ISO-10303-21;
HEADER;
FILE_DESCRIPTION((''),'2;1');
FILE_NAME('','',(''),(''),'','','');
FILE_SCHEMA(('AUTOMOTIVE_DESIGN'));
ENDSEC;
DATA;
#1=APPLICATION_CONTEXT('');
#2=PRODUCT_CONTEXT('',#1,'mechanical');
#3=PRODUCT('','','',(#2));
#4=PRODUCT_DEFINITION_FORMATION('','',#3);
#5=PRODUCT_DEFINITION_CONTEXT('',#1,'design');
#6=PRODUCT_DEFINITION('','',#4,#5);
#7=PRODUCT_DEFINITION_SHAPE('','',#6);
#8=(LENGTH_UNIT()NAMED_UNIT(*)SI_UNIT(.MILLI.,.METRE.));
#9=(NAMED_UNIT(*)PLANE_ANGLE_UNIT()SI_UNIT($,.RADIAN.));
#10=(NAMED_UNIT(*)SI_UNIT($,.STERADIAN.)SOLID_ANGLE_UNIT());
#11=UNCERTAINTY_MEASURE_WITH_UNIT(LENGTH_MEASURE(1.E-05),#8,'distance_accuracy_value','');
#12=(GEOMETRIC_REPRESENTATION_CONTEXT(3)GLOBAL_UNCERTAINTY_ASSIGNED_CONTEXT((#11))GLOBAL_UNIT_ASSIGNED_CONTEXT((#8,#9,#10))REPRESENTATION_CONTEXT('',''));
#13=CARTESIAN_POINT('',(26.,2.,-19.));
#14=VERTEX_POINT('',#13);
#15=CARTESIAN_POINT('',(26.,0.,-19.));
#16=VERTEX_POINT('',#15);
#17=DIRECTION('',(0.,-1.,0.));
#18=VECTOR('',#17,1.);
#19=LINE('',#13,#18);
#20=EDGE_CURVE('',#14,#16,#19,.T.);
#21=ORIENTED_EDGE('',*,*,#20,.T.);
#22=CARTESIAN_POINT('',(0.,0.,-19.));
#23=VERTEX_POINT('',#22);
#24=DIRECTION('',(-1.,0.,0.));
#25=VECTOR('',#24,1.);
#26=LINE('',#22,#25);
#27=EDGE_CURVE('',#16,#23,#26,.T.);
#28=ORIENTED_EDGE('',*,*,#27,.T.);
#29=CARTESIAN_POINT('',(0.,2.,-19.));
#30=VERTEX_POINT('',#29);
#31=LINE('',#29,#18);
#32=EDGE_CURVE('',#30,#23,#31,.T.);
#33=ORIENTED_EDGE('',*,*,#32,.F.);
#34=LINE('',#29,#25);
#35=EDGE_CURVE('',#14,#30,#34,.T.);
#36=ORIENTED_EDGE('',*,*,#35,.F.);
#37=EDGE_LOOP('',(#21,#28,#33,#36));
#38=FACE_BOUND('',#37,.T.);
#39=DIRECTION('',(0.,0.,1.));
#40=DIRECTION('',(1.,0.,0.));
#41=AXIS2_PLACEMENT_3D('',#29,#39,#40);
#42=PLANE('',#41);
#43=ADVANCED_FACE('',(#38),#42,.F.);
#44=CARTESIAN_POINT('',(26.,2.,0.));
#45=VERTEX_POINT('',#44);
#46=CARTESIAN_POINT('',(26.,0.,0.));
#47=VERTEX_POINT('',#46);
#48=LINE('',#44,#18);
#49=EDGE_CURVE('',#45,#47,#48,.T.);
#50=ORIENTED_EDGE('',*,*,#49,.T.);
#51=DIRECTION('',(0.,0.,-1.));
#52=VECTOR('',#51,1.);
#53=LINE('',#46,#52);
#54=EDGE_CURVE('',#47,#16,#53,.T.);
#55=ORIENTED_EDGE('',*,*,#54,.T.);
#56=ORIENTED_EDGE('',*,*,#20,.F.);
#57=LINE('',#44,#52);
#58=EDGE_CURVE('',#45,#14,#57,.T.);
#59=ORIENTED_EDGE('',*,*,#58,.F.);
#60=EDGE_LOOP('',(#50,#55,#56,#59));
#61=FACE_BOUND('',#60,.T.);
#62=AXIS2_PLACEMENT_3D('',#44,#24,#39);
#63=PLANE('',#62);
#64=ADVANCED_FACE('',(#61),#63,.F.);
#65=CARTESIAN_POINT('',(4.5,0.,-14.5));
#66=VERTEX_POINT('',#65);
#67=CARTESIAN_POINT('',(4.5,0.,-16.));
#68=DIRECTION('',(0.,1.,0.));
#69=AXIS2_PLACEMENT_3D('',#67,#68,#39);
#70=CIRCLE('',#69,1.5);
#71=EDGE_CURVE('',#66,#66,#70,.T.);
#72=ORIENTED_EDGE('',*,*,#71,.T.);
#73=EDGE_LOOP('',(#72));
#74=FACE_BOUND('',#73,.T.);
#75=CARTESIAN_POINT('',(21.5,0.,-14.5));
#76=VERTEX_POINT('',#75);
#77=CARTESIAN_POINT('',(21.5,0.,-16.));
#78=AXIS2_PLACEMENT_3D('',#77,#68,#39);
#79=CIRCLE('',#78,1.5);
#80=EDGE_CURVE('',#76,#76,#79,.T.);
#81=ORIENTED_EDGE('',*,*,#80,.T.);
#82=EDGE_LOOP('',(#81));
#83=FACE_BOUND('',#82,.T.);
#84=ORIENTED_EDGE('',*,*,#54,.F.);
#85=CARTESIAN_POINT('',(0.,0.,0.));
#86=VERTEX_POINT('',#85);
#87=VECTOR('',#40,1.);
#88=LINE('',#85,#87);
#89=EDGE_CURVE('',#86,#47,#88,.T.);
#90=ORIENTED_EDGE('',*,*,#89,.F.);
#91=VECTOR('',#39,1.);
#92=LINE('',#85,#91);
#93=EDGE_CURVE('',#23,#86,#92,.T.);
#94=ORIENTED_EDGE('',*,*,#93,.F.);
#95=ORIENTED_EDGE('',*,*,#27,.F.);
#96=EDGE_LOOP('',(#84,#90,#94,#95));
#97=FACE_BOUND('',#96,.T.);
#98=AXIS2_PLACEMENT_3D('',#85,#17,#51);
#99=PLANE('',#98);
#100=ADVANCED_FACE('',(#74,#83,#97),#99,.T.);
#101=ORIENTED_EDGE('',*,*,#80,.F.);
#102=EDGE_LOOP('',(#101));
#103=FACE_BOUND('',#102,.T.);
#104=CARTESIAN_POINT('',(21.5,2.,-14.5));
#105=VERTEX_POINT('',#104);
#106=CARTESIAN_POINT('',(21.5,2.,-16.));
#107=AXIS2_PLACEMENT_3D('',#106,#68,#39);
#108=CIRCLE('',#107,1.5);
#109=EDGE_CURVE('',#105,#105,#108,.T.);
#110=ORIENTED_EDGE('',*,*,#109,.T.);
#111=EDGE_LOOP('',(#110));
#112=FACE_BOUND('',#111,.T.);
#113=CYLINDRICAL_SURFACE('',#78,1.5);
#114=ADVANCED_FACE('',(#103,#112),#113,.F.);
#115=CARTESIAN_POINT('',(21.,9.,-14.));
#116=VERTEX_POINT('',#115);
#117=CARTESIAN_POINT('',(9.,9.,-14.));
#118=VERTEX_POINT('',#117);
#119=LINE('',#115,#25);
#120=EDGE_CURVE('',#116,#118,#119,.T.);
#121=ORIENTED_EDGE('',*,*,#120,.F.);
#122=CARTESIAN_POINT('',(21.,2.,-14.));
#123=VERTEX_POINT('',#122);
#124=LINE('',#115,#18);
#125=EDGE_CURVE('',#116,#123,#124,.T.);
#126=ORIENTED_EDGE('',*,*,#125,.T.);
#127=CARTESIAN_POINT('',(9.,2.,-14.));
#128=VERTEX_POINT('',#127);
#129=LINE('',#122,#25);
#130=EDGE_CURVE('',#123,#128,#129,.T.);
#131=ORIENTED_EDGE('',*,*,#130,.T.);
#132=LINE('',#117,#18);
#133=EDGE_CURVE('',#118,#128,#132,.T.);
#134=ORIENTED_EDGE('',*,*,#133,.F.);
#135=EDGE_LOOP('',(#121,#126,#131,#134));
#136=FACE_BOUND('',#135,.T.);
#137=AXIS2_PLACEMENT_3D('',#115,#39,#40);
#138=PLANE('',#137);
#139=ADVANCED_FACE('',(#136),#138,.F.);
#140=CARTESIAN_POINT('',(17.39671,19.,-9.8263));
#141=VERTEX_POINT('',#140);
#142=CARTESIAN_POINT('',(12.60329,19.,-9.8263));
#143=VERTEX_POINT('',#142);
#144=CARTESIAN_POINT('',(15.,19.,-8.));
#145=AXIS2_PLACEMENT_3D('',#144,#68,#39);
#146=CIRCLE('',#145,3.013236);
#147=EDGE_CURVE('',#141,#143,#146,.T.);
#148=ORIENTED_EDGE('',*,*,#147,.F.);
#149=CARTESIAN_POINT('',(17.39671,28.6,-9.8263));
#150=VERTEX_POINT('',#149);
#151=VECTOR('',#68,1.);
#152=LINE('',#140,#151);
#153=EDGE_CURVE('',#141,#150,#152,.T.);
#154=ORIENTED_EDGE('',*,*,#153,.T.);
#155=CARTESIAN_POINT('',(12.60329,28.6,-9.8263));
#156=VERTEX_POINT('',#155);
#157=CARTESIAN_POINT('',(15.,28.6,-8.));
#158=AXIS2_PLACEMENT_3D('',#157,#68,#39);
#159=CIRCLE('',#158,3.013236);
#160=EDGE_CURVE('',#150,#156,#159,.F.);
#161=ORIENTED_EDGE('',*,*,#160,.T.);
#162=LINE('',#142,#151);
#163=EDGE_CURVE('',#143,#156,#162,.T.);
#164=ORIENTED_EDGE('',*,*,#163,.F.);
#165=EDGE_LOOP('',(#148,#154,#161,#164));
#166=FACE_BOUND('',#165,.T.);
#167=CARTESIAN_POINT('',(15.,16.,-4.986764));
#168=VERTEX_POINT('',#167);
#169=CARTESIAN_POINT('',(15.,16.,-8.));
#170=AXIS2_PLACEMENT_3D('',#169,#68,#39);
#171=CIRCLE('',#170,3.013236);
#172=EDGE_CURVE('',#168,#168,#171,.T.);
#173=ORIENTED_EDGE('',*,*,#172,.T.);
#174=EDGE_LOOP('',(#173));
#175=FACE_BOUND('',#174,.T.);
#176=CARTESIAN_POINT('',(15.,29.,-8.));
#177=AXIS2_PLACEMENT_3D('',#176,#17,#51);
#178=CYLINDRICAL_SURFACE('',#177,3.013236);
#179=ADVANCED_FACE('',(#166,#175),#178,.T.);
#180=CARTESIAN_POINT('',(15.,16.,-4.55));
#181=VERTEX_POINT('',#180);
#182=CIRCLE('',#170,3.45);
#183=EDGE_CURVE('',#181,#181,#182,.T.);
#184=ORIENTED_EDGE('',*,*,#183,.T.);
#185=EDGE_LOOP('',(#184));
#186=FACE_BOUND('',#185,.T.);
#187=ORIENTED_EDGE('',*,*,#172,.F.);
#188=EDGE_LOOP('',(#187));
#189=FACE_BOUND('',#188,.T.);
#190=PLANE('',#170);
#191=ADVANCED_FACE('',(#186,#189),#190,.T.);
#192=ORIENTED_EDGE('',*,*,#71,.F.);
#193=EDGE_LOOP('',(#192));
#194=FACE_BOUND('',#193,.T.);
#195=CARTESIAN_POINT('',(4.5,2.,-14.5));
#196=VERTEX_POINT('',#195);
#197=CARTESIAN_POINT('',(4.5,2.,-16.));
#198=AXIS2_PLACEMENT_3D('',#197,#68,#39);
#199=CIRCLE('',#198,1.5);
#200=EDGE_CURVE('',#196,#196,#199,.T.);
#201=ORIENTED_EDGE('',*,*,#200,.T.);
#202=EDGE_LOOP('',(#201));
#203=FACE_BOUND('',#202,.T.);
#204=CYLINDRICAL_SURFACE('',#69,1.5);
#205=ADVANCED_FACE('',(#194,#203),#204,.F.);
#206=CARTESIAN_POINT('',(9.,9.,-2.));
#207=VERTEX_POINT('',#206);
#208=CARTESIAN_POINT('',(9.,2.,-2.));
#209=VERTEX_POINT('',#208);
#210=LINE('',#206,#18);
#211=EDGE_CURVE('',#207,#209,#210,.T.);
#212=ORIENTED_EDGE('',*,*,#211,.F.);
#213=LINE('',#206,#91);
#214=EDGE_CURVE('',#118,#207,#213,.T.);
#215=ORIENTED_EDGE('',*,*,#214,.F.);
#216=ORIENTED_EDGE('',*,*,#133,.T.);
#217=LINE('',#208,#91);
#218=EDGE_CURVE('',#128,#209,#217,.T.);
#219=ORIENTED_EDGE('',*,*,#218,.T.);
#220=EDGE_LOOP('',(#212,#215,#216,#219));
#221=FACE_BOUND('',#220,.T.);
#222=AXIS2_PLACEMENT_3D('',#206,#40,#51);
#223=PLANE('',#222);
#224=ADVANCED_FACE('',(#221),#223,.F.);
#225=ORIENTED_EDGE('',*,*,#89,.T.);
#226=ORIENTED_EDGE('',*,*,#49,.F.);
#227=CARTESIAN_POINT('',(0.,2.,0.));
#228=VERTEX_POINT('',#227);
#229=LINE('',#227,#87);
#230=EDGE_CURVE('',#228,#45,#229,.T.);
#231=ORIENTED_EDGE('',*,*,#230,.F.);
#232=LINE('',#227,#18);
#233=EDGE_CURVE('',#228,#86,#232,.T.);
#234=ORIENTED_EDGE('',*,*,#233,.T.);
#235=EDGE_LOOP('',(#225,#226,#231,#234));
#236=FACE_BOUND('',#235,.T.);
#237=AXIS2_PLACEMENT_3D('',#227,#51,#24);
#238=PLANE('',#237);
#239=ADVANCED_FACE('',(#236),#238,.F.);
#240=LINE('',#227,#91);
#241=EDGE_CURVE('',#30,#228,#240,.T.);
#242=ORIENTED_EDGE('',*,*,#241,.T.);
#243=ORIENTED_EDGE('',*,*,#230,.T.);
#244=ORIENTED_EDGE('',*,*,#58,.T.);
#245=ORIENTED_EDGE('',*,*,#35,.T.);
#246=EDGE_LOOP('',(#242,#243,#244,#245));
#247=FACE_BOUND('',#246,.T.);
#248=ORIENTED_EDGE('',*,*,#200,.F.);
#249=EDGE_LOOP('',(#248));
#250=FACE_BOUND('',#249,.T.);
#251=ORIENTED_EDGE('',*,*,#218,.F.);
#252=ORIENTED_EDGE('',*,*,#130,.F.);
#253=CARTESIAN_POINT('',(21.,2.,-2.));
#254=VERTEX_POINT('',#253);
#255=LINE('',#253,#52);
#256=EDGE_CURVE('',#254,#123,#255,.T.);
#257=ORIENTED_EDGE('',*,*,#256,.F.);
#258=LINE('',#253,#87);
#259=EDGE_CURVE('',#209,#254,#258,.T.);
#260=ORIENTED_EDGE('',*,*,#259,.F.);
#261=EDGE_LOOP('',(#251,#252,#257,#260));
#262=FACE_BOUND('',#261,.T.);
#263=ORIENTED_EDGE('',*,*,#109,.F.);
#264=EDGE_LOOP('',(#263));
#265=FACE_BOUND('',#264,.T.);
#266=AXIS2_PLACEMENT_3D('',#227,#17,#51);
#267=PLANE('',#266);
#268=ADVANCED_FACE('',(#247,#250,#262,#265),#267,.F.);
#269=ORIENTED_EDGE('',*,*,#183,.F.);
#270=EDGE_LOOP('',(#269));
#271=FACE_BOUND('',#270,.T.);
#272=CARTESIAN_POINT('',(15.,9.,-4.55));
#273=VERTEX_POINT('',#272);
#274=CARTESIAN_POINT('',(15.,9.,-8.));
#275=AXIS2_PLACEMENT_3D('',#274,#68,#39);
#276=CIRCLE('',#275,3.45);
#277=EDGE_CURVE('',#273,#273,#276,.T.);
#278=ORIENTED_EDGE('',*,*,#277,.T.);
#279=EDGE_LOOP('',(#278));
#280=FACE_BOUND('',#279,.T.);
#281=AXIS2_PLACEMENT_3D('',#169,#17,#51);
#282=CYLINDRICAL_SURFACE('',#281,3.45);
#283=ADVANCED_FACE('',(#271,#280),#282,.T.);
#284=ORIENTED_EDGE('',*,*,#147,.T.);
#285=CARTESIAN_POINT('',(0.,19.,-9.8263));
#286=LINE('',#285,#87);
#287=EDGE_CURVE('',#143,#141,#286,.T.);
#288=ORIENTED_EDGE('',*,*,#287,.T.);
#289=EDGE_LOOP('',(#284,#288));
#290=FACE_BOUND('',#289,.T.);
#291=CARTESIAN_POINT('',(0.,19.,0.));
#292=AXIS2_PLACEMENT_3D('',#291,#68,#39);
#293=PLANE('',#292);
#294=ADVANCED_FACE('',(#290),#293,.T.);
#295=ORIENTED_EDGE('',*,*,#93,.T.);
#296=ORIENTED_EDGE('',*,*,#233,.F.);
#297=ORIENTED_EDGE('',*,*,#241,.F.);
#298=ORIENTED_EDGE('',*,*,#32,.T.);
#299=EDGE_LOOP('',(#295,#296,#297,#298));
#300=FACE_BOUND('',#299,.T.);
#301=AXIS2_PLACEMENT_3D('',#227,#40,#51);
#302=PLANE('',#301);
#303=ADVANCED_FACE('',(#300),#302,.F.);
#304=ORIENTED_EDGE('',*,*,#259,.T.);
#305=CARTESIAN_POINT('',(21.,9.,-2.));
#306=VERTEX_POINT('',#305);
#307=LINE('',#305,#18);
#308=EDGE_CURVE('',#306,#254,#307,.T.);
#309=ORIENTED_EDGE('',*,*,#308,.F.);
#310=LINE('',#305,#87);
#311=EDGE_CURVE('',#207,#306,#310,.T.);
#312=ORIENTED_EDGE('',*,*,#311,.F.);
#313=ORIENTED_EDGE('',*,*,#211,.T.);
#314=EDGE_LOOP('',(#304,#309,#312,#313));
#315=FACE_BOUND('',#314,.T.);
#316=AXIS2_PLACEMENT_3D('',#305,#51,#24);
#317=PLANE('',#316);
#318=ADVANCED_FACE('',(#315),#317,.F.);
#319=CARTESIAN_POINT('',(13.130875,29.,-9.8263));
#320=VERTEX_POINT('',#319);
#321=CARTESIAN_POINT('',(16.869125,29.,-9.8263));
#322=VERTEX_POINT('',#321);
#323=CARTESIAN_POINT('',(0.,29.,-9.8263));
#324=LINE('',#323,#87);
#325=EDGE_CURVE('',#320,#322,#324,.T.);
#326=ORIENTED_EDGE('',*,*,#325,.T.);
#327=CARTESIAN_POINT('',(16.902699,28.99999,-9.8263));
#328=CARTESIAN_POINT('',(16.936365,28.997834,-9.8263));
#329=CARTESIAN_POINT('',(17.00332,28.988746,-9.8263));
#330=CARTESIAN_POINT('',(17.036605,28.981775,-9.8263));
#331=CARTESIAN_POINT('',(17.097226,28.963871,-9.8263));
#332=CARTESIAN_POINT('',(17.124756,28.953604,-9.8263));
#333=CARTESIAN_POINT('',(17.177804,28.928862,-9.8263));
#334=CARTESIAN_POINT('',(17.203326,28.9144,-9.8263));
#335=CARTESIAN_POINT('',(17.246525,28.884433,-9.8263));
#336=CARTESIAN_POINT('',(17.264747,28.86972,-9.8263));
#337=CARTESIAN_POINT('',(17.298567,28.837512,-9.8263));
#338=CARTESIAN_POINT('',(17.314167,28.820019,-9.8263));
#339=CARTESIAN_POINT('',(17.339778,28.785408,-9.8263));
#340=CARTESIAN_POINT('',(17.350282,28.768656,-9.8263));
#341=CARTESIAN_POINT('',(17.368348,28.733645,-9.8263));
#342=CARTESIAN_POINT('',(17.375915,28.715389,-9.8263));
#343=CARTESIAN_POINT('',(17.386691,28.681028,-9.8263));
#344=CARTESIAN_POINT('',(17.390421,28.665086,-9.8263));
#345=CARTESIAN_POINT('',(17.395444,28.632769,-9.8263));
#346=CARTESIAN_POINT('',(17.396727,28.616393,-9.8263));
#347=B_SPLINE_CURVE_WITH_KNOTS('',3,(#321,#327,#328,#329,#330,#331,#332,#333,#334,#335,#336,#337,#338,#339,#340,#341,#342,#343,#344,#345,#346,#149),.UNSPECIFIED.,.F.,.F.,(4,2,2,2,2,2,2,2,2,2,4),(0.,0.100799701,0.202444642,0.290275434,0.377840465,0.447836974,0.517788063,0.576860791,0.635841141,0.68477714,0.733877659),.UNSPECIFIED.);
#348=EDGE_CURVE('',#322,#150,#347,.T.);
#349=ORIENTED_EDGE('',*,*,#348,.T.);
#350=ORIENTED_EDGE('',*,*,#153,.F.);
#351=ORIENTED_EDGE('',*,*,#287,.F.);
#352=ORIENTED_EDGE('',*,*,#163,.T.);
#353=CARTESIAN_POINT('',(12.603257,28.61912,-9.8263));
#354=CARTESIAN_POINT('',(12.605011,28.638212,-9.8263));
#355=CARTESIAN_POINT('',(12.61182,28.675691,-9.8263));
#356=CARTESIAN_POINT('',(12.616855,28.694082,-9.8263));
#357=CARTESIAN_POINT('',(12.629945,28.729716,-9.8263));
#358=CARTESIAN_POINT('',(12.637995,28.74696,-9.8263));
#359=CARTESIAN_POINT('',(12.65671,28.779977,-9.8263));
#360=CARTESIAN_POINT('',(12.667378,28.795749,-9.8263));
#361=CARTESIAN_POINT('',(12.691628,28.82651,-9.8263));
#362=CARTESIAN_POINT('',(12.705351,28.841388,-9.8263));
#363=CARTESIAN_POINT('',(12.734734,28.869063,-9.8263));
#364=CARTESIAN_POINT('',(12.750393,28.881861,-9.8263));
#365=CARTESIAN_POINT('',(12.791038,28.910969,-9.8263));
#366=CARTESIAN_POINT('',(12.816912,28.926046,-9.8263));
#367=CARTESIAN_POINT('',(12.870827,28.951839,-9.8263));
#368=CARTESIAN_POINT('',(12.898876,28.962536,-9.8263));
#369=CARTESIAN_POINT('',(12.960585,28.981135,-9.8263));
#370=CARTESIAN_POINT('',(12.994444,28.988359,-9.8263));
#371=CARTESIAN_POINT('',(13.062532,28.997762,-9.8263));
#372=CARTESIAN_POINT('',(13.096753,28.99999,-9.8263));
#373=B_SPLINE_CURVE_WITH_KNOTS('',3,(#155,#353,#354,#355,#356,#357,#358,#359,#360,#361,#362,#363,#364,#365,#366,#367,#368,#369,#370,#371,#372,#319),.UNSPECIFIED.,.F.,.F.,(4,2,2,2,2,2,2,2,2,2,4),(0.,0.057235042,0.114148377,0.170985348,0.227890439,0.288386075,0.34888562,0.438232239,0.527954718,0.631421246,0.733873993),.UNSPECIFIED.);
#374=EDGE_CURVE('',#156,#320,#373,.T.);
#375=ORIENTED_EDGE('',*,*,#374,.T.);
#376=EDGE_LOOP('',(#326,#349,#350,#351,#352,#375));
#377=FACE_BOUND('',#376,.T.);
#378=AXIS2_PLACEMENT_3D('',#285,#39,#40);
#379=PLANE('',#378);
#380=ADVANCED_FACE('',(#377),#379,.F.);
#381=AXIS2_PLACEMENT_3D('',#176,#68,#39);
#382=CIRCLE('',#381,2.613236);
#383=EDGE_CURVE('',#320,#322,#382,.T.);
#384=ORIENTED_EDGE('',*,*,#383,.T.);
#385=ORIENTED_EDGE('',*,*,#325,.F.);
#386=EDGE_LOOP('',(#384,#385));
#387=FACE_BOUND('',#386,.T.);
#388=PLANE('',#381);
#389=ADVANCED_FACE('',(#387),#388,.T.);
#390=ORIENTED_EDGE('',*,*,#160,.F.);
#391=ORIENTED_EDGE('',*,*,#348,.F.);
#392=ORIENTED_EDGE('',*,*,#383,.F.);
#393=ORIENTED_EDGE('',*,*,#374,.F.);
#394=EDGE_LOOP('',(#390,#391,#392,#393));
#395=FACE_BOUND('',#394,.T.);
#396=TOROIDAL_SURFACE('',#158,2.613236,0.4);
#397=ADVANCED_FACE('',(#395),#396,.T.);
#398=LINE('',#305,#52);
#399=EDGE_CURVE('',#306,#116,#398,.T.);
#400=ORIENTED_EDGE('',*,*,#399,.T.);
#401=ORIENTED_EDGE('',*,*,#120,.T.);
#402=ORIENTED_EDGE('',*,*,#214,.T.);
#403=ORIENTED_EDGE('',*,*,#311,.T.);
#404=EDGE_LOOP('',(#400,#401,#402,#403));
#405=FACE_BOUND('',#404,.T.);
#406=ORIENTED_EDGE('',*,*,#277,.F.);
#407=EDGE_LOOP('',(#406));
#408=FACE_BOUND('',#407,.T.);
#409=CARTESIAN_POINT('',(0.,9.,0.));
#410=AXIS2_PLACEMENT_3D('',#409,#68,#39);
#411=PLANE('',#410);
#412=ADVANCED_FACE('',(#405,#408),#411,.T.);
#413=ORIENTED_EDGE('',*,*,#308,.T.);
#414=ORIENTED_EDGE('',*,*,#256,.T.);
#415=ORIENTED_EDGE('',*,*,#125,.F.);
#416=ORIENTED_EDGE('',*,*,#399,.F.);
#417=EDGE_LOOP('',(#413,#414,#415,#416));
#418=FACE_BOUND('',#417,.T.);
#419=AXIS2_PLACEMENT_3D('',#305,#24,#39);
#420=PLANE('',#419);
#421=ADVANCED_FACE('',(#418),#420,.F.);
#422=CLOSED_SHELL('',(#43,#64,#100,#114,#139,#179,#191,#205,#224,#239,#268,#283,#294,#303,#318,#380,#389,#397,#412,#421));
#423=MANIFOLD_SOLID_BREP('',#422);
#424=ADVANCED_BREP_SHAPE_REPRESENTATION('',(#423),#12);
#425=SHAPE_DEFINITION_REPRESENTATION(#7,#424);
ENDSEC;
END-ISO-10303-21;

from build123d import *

# Parameters (mm, degrees)
SKETCH1_W           = 26
SKETCH1_H           = 19
BOSS_EXTRUDE1_DEPTH = 2
SKETCH2_W           = 12
SKETCH2_H           = 12
BOSS_EXTRUDE2_DEPTH = 7
SKETCH3_R           = 3.45
BOSS_EXTRUDE3_DEPTH = 7
SKETCH4_R           = 3.013235608
BOSS_EXTRUDE4_DEPTH = 13
CUT_EXTRUDE1_START  = -10
CUT_EXTRUDE1_DEPTH  = 10
FILLET1_R           = 0.4
SKETCH6_R           = 1.5
CUT_EXTRUDE2_DEPTH  = 43.023802843


with BuildPart() as part:
    # Sketch1 → Boss-Extrude1 (new body)
    with BuildSketch(Plane(origin=(0, 0, 0), x_dir=(1, 0, 0), z_dir=(0, 1, 0))):
        with Locations((13, 9.5)):
            Rectangle(SKETCH1_W, SKETCH1_H)
    extrude(amount=BOSS_EXTRUDE1_DEPTH)

    # Sketch2 → Boss-Extrude2 (add)
    with BuildSketch(Plane(origin=(0, 2, 0), x_dir=(1, 0, 0), z_dir=(0, 1, 0))):
        with Locations((15, 8)):
            Rectangle(SKETCH2_W, SKETCH2_H)
    extrude(amount=BOSS_EXTRUDE2_DEPTH)

    # Sketch3 → Boss-Extrude3 (add)
    with BuildSketch(Plane(origin=(0, 9, 0), x_dir=(1, 0, 0), z_dir=(0, 1, 0))):
        with Locations(Location((15, 8, 0), (0, 0, 270))):
            Circle(SKETCH3_R)
    extrude(amount=BOSS_EXTRUDE3_DEPTH)

    # Sketch4 → Boss-Extrude4 (add)
    with BuildSketch(Plane(origin=(0, 16, 0), x_dir=(1, 0, 0), z_dir=(0, 1, 0))):
        with Locations(Location((15, 8, 0), (0, 0, 90))):
            Circle(SKETCH4_R)
    extrude(amount=BOSS_EXTRUDE4_DEPTH)

    # Sketch5 → Cut-Extrude1 (cut)
    with BuildSketch(Plane(origin=(0, 29, 0), x_dir=(1, 0, 0), z_dir=(0, 1, 0)).offset(CUT_EXTRUDE1_START)):
        with BuildLine():
            Line((12.603290186, 9.826299784), (17.396709814, 9.826299784))
            ThreePointArc((17.396709814, 9.826299784), (15, 11.013235608), (12.603290186, 9.826299784))
        make_face()
    extrude(amount=CUT_EXTRUDE1_DEPTH, mode=Mode.SUBTRACT)

    # Fillet1
    fillet1_edges = [part.edges().sort_by_distance(p)[0] for p in [
        (15, 29, -4.986764392),
    ]]
    fillet(fillet1_edges, radius=FILLET1_R)

    # Sketch6 → Cut-Extrude2 (cut, through all)
    with BuildSketch(Plane(origin=(0, 2, 0), x_dir=(1, 0, 0), z_dir=(0, 1, 0))):
        with Locations(Location((21.5, 16, 0), (0, 0, 270))):
            Circle(SKETCH6_R)
        with Locations(Location((4.5, 16, 0), (0, 0, 270))):
            Circle(SKETCH6_R)
    extrude(amount=-CUT_EXTRUDE2_DEPTH, mode=Mode.SUBTRACT)


solid = part.part
